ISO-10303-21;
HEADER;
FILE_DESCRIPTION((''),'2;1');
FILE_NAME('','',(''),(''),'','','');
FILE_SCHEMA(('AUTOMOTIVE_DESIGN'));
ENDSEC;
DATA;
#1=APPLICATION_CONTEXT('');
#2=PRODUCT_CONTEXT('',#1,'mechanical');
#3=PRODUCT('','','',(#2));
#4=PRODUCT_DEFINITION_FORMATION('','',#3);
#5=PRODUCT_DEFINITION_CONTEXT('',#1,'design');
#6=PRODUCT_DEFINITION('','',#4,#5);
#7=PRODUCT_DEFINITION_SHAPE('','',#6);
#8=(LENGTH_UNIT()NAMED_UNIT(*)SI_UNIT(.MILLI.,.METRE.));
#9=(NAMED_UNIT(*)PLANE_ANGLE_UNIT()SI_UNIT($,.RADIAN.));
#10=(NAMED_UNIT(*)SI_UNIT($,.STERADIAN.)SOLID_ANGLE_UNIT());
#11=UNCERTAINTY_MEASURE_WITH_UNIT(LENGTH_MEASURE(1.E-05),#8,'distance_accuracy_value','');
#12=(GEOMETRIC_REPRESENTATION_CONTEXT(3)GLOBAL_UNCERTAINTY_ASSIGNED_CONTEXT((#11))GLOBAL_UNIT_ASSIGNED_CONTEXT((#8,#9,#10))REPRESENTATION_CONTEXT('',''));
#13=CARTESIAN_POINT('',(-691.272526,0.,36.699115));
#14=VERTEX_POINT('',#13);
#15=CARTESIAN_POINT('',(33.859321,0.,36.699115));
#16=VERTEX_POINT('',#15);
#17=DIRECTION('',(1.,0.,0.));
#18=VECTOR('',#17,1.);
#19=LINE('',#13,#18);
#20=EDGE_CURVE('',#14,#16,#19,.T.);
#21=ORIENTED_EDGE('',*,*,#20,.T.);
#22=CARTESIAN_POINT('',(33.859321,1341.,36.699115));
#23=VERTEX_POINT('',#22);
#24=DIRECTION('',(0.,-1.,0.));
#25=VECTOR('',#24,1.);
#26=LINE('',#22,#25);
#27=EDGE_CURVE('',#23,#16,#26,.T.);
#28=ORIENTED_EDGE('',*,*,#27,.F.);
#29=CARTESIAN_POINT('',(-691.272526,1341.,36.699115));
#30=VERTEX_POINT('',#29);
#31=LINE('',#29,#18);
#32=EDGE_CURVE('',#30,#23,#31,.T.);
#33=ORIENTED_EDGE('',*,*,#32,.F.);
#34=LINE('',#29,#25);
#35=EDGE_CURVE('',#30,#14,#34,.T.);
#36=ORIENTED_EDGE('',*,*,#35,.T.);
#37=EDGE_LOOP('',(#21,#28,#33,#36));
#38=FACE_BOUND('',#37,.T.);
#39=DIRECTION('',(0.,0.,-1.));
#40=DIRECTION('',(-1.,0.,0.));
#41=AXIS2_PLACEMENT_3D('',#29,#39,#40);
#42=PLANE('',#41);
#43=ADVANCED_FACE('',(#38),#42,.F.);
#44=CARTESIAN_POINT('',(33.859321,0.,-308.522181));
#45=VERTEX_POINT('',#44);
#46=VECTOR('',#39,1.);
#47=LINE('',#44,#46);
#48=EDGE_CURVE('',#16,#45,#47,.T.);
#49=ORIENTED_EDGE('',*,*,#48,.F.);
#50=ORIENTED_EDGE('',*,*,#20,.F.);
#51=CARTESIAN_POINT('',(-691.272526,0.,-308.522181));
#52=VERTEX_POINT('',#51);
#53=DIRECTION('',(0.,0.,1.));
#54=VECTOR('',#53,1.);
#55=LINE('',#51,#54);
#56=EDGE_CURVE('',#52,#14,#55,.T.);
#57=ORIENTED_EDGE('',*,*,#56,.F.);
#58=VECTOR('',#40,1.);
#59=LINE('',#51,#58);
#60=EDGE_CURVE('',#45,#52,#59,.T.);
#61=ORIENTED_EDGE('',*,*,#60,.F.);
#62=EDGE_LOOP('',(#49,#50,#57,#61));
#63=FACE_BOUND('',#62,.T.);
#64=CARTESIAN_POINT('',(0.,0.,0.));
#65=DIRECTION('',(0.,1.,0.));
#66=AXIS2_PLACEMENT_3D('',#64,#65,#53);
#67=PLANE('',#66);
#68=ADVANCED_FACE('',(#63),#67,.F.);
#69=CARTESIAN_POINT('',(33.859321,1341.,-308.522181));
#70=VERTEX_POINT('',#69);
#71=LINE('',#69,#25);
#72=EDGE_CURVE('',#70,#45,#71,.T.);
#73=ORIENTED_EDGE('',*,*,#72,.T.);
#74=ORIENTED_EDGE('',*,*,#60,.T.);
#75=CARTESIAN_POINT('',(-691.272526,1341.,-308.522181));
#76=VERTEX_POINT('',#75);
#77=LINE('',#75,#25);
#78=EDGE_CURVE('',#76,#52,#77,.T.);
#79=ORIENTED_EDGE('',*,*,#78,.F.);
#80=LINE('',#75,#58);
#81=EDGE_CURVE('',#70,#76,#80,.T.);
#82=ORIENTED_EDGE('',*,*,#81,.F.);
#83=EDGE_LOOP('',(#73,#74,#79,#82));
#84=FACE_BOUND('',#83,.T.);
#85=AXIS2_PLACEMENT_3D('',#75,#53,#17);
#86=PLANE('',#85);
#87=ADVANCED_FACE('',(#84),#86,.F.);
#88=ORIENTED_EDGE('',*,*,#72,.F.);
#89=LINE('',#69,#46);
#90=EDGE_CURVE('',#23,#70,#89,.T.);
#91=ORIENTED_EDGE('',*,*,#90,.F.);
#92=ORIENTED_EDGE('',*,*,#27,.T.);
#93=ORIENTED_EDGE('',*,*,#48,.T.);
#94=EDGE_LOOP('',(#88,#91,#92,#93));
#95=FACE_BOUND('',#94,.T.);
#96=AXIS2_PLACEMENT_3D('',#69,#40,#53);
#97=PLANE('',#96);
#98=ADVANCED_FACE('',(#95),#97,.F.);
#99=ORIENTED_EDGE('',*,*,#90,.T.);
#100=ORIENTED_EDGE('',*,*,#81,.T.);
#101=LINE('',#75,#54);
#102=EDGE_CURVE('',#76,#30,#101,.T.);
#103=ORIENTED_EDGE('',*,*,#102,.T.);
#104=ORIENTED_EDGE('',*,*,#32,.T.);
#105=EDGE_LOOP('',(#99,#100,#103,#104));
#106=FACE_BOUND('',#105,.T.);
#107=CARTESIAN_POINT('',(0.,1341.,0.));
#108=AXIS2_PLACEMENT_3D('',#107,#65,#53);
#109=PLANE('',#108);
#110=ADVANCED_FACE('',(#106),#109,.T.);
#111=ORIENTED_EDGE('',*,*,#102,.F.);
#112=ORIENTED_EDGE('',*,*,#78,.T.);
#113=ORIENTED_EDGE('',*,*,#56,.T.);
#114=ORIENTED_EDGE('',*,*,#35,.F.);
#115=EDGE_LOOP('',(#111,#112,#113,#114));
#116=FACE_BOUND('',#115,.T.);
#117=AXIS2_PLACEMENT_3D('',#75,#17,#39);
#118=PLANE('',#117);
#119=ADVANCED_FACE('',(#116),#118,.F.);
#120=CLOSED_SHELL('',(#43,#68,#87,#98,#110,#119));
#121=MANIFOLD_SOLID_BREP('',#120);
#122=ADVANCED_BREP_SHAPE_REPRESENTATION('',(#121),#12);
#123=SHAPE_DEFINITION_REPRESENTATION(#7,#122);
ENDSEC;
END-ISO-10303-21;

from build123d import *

# Parameters (mm, degrees)
CROQUIS1_W              = 725.131847715
CROQUIS1_H              = 345.221296829
SALIENTE_EXTRUIR1_DEPTH = 1341


with BuildPart() as part:
    # Croquis1 → Saliente-Extruir1 (new body)
    with BuildSketch(Plane(origin=(0, 0, 0), x_dir=(1, 0, 0), z_dir=(0, 1, 0))):
        with Locations((-328.706602557, 135.911532927)):
            Rectangle(CROQUIS1_W, CROQUIS1_H)
    extrude(amount=SALIENTE_EXTRUIR1_DEPTH)


solid = part.part
